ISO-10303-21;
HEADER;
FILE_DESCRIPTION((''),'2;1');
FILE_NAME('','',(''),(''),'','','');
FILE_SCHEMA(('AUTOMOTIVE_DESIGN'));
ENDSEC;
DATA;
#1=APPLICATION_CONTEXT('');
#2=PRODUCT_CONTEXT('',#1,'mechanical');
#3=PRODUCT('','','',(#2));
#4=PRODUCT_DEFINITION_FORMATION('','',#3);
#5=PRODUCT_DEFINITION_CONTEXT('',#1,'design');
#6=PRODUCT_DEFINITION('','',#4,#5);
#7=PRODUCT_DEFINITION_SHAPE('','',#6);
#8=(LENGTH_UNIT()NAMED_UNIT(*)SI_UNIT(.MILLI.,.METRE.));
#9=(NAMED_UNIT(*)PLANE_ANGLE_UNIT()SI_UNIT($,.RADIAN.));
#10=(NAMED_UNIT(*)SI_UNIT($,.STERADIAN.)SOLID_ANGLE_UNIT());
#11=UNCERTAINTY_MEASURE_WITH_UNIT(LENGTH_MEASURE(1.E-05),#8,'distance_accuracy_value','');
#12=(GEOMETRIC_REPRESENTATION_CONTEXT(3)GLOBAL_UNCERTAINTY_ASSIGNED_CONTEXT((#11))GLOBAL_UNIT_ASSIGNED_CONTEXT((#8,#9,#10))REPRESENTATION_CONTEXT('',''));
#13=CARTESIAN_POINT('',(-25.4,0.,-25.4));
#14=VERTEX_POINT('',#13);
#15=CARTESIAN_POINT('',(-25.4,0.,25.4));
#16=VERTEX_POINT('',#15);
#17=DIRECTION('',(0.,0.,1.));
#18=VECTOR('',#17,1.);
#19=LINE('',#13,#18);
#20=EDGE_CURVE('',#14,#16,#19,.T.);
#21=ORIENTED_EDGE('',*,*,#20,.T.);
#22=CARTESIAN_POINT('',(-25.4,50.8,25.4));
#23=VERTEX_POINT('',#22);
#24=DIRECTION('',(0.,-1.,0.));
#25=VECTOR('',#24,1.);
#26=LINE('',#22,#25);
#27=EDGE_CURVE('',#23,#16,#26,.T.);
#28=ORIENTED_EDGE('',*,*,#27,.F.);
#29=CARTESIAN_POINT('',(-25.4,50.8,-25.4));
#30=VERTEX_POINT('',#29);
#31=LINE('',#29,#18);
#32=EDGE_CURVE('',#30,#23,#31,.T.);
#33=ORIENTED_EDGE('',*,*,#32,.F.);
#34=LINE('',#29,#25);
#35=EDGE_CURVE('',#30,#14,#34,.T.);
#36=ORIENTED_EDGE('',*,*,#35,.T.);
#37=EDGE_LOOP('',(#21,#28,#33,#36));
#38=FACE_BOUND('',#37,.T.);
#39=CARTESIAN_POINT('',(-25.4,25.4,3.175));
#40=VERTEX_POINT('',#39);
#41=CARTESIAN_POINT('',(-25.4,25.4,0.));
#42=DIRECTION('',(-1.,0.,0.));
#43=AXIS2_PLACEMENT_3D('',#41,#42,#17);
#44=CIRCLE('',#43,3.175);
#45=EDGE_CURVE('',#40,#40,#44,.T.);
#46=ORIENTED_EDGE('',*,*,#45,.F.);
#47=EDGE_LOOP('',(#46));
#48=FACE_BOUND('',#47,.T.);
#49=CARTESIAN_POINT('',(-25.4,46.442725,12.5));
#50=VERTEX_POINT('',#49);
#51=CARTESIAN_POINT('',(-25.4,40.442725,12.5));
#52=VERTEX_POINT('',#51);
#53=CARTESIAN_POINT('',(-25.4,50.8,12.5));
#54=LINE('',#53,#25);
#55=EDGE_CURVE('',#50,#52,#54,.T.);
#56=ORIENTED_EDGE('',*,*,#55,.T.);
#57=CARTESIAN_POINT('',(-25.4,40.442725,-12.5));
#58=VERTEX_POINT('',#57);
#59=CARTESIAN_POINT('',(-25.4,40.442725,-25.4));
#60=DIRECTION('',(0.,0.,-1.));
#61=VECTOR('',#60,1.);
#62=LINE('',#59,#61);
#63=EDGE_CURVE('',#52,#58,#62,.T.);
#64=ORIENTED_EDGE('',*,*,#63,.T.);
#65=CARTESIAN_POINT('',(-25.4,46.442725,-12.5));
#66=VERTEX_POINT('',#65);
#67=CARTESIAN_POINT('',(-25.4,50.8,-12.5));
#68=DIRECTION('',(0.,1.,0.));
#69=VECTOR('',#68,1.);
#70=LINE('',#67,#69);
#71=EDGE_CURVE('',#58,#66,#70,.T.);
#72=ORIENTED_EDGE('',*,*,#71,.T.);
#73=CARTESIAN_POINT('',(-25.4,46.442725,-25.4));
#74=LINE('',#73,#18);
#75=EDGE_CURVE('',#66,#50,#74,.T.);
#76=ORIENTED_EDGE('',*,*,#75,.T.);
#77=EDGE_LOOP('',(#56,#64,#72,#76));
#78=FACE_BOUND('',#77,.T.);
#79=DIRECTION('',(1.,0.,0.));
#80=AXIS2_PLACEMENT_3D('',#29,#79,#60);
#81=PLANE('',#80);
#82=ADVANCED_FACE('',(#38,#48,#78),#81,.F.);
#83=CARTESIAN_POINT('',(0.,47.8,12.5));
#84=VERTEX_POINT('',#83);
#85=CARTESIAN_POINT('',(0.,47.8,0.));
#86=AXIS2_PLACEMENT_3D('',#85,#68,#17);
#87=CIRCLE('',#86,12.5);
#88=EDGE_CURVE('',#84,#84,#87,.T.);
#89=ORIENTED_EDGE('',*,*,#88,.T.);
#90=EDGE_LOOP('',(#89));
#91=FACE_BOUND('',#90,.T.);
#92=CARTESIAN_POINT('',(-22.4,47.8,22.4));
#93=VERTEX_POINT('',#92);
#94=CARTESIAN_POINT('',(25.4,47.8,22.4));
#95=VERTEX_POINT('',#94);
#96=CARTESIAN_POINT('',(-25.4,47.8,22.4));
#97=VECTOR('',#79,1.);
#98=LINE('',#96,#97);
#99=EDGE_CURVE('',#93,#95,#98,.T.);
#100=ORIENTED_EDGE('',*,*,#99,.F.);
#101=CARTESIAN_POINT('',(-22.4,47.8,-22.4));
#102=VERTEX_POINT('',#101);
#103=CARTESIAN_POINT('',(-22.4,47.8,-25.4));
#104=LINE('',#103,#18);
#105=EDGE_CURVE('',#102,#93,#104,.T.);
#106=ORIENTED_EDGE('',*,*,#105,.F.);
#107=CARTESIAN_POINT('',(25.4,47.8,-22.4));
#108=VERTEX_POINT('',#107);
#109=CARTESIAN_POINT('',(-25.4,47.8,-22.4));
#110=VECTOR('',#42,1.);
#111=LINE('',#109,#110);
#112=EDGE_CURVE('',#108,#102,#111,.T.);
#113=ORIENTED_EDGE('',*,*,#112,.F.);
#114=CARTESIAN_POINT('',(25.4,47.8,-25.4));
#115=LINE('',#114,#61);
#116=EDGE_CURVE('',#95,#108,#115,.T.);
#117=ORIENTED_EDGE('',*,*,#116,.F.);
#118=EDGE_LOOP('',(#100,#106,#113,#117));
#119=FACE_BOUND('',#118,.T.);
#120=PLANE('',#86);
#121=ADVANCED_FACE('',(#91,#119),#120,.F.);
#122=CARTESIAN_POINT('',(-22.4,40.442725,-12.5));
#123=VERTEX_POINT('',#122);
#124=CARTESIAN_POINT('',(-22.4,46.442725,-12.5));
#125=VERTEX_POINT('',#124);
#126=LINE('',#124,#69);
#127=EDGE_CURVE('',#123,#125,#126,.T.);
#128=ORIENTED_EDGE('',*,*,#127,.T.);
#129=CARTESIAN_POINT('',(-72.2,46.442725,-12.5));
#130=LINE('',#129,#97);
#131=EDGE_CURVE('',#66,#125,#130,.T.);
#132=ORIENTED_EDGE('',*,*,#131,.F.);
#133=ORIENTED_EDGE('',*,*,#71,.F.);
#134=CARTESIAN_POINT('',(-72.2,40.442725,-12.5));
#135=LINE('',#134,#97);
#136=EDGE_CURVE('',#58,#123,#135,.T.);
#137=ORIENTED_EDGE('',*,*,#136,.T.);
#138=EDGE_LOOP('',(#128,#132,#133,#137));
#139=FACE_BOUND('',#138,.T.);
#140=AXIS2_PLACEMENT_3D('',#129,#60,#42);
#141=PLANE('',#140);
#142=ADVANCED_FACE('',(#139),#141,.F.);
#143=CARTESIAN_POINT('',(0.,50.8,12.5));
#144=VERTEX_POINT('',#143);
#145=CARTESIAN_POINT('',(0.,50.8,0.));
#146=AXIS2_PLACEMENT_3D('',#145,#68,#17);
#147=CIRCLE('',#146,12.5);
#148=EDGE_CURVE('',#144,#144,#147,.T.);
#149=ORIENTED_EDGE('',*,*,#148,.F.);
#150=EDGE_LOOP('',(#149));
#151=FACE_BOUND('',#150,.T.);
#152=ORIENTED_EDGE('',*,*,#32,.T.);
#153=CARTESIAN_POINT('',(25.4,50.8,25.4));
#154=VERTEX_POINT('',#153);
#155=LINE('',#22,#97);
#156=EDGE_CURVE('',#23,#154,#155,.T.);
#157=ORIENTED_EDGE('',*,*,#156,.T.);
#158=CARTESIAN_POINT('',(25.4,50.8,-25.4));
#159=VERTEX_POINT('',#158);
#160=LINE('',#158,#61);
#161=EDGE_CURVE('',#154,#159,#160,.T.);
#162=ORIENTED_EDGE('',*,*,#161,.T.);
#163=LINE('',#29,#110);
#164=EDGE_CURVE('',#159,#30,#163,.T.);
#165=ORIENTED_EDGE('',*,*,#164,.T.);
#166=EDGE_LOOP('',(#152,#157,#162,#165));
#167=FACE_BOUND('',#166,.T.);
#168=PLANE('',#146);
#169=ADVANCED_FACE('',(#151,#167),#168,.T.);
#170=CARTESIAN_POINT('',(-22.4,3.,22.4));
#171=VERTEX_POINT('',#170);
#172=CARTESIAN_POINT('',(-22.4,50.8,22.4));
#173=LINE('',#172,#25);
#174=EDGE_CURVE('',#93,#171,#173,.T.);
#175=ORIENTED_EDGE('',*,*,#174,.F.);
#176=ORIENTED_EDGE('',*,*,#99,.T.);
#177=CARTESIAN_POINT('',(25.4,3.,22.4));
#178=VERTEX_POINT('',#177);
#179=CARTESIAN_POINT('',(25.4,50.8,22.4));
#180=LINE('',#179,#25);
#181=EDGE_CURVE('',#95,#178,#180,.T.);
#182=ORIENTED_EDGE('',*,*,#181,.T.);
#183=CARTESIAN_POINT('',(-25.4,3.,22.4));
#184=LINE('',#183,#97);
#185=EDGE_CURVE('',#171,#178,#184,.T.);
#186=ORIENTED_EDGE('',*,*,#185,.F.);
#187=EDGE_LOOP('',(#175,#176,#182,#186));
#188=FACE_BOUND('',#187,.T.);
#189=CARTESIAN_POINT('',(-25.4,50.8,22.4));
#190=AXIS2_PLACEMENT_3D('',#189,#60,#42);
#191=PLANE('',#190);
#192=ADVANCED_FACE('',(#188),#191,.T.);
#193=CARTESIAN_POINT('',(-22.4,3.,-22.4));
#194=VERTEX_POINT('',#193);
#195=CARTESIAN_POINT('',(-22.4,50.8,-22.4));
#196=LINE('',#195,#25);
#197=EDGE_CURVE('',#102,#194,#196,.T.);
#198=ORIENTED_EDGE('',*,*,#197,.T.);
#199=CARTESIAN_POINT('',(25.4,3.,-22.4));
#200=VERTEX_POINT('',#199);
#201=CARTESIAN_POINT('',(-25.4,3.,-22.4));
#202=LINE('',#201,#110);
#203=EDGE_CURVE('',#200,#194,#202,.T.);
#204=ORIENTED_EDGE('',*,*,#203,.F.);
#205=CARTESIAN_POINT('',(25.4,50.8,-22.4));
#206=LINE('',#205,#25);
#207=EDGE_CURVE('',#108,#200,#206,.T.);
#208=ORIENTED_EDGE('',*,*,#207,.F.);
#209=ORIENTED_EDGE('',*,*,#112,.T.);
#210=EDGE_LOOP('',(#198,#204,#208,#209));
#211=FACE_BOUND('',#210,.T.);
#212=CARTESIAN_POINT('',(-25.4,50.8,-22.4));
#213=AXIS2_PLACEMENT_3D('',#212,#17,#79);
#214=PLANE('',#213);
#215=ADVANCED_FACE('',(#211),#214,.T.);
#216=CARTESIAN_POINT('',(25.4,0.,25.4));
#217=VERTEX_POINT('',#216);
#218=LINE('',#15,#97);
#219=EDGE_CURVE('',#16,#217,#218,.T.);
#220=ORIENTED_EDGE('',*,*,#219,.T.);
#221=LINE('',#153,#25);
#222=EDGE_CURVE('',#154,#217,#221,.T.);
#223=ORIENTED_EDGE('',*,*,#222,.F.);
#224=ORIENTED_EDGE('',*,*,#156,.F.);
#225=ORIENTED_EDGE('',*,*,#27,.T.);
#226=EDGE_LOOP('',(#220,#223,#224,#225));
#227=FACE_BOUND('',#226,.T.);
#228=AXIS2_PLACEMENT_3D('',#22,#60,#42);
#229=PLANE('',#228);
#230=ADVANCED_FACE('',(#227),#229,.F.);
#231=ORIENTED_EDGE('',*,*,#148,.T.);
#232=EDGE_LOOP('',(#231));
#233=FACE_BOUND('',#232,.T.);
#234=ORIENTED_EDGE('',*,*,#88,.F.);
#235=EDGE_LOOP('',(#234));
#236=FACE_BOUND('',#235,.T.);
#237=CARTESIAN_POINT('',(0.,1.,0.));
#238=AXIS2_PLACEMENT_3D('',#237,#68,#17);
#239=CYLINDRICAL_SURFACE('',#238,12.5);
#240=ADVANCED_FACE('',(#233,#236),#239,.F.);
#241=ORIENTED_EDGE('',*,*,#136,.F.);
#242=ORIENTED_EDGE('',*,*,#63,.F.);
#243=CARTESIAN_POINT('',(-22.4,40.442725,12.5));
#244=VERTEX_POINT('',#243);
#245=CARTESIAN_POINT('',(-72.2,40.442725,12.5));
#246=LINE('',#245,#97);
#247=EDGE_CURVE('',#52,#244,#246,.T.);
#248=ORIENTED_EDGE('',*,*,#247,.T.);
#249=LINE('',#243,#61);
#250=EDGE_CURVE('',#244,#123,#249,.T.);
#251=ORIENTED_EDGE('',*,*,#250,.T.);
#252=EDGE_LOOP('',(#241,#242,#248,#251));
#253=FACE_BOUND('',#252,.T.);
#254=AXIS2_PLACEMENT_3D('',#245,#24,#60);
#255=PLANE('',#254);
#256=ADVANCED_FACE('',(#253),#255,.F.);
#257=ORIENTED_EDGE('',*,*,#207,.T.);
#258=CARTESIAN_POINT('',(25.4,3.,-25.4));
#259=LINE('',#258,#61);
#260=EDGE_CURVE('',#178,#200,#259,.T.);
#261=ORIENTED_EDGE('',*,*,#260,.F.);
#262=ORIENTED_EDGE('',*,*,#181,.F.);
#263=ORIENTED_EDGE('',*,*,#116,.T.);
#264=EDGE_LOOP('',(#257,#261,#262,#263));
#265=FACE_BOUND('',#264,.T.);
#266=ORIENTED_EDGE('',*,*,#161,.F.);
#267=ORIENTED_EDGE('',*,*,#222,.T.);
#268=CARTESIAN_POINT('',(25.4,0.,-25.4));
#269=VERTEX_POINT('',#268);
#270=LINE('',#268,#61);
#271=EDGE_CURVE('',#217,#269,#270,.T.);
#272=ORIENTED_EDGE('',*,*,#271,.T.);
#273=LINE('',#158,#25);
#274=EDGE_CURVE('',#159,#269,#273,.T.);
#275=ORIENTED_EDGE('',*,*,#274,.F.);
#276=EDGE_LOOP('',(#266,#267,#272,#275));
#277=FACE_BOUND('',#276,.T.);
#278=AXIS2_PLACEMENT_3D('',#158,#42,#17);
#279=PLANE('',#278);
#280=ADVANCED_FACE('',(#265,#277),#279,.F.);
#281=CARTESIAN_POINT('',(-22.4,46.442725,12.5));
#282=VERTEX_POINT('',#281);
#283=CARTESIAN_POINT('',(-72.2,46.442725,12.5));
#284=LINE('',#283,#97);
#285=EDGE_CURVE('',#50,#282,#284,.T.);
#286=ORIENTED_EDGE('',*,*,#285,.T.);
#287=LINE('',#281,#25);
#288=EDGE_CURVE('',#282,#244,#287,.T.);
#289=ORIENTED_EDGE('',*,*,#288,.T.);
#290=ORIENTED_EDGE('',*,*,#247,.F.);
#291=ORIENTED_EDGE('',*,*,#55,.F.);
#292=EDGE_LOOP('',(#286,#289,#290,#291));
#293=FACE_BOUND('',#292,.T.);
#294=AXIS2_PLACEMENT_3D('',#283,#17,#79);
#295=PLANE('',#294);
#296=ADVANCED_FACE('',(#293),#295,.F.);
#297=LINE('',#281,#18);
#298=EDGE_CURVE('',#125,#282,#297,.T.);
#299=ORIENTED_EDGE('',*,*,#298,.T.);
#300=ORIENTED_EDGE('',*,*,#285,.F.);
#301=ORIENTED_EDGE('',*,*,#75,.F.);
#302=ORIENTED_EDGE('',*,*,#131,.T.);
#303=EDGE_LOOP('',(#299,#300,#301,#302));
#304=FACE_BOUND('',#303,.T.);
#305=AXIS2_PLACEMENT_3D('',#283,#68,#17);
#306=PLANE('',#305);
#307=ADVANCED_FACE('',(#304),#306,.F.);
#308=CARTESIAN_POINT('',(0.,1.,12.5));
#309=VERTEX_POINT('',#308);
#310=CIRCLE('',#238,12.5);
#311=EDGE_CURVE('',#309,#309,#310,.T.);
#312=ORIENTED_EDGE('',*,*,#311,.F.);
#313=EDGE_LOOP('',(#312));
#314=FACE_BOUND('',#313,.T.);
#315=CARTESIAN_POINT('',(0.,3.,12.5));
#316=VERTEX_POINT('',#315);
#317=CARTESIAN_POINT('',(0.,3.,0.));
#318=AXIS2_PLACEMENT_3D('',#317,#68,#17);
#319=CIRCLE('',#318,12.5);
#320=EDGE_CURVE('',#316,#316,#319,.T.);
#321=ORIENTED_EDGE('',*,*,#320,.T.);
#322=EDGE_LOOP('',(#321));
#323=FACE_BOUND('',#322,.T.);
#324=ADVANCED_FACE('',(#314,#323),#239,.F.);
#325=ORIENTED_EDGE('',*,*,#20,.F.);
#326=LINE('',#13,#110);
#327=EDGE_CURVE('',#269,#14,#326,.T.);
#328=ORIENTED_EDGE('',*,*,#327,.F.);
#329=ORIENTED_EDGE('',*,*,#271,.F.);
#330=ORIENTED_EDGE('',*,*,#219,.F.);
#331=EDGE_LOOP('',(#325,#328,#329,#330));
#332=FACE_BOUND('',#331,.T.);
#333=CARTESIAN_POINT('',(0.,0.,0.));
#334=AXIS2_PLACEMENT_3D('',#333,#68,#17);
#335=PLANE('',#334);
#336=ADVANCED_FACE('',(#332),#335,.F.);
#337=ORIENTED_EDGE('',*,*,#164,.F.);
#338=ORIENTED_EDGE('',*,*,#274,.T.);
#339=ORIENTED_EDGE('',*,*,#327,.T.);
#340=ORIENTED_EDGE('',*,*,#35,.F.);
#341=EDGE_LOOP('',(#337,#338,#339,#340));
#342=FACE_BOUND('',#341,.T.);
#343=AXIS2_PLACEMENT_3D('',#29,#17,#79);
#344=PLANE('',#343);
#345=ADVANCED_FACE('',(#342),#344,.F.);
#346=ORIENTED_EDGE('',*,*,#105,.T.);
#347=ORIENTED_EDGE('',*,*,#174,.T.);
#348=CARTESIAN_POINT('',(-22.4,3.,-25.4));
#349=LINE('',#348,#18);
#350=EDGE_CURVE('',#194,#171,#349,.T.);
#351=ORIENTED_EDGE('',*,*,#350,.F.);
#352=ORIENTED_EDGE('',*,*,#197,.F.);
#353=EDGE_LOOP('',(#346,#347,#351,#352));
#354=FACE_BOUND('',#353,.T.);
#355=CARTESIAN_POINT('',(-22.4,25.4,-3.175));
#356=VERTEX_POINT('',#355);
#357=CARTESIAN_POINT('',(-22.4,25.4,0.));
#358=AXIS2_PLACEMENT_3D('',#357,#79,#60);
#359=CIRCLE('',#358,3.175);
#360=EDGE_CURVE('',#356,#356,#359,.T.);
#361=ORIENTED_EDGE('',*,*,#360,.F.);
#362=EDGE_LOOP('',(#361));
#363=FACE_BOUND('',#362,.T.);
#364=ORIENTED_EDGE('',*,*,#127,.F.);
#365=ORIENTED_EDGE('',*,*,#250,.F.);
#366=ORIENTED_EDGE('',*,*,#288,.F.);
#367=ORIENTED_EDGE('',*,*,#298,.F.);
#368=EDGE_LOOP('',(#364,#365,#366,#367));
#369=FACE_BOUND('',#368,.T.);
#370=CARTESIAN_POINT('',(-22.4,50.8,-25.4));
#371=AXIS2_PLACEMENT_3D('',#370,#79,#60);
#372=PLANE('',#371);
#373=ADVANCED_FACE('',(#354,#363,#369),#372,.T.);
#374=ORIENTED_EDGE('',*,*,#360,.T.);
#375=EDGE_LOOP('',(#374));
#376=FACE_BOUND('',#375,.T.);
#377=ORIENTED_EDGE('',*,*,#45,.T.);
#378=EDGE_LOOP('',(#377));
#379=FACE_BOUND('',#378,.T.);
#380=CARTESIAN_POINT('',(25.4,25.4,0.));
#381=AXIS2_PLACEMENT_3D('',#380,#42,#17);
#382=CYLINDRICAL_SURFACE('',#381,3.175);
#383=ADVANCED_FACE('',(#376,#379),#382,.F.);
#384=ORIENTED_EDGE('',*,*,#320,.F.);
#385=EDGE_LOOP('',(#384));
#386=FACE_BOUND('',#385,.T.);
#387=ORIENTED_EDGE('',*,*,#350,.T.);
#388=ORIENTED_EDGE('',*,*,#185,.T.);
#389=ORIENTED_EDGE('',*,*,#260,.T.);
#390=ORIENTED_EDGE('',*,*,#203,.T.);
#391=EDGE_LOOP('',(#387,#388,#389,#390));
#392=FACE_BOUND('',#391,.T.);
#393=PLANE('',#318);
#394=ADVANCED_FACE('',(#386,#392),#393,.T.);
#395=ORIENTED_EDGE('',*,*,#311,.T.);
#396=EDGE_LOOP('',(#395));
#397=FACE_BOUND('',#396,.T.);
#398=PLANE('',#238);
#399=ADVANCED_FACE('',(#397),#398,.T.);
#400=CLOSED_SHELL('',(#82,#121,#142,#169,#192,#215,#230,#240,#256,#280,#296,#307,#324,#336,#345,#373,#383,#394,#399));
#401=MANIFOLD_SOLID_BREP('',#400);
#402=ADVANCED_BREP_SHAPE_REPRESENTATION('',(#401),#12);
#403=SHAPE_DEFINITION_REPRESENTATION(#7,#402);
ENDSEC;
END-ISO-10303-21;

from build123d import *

# Parameters (mm, degrees)
SKETCH1_W           = 50.8
SKETCH1_H           = 50.8
BOSS_EXTRUDE1_DEPTH = 50.8
SHELL1_T            = -3
SKETCH2_R           = 3.175
CUT_EXTRUDE1_DEPTH  = 50.8
SKETCH3_R           = 12.5
CUT_EXTRUDE2_DEPTH  = 49.8
SKETCH4_W           = 25
SKETCH4_H           = 6
CUT_EXTRUDE3_DEPTH  = 49.8


with BuildPart() as part:
    # Sketch1 → Boss-Extrude1 (new body)
    with BuildSketch(Plane(origin=(0, 0, 0), x_dir=(1, 0, 0), z_dir=(0, 1, 0))):
        Rectangle(SKETCH1_W, SKETCH1_H)
    extrude(amount=BOSS_EXTRUDE1_DEPTH)

    # Shell1
    shell1_openings = [part.faces().sort_by_distance(p)[0] for p in [
        (25.4, 25.4, 0),
    ]]
    offset(amount=SHELL1_T, openings=shell1_openings, kind=Kind.INTERSECTION)

    # Sketch2 → Cut-Extrude1 (cut)
    with BuildSketch(Plane.ZY.offset(25.4)):
        with Locations((0, 25.4)):
            Circle(SKETCH2_R)
    extrude(amount=-CUT_EXTRUDE1_DEPTH, mode=Mode.SUBTRACT)

    # Sketch3 → Cut-Extrude2 (cut)
    with BuildSketch(Plane(origin=(0, 50.8, 0), x_dir=(1, 0, 0), z_dir=(0, 1, 0))):
        with Locations(Location((0, 0, 0), (0, 0, 270))):
            Circle(SKETCH3_R)
    extrude(amount=-CUT_EXTRUDE2_DEPTH, mode=Mode.SUBTRACT)

    # Sketch4 → Cut-Extrude3 (cut)
    with BuildSketch(Plane(origin=(-22.4, 0, 0), x_dir=(0, 0, -1), z_dir=(1, 0, 0))):
        with Locations((0, 43.442725036)):
            Rectangle(SKETCH4_W, SKETCH4_H)
    extrude(amount=-CUT_EXTRUDE3_DEPTH, mode=Mode.SUBTRACT)


solid = part.part
